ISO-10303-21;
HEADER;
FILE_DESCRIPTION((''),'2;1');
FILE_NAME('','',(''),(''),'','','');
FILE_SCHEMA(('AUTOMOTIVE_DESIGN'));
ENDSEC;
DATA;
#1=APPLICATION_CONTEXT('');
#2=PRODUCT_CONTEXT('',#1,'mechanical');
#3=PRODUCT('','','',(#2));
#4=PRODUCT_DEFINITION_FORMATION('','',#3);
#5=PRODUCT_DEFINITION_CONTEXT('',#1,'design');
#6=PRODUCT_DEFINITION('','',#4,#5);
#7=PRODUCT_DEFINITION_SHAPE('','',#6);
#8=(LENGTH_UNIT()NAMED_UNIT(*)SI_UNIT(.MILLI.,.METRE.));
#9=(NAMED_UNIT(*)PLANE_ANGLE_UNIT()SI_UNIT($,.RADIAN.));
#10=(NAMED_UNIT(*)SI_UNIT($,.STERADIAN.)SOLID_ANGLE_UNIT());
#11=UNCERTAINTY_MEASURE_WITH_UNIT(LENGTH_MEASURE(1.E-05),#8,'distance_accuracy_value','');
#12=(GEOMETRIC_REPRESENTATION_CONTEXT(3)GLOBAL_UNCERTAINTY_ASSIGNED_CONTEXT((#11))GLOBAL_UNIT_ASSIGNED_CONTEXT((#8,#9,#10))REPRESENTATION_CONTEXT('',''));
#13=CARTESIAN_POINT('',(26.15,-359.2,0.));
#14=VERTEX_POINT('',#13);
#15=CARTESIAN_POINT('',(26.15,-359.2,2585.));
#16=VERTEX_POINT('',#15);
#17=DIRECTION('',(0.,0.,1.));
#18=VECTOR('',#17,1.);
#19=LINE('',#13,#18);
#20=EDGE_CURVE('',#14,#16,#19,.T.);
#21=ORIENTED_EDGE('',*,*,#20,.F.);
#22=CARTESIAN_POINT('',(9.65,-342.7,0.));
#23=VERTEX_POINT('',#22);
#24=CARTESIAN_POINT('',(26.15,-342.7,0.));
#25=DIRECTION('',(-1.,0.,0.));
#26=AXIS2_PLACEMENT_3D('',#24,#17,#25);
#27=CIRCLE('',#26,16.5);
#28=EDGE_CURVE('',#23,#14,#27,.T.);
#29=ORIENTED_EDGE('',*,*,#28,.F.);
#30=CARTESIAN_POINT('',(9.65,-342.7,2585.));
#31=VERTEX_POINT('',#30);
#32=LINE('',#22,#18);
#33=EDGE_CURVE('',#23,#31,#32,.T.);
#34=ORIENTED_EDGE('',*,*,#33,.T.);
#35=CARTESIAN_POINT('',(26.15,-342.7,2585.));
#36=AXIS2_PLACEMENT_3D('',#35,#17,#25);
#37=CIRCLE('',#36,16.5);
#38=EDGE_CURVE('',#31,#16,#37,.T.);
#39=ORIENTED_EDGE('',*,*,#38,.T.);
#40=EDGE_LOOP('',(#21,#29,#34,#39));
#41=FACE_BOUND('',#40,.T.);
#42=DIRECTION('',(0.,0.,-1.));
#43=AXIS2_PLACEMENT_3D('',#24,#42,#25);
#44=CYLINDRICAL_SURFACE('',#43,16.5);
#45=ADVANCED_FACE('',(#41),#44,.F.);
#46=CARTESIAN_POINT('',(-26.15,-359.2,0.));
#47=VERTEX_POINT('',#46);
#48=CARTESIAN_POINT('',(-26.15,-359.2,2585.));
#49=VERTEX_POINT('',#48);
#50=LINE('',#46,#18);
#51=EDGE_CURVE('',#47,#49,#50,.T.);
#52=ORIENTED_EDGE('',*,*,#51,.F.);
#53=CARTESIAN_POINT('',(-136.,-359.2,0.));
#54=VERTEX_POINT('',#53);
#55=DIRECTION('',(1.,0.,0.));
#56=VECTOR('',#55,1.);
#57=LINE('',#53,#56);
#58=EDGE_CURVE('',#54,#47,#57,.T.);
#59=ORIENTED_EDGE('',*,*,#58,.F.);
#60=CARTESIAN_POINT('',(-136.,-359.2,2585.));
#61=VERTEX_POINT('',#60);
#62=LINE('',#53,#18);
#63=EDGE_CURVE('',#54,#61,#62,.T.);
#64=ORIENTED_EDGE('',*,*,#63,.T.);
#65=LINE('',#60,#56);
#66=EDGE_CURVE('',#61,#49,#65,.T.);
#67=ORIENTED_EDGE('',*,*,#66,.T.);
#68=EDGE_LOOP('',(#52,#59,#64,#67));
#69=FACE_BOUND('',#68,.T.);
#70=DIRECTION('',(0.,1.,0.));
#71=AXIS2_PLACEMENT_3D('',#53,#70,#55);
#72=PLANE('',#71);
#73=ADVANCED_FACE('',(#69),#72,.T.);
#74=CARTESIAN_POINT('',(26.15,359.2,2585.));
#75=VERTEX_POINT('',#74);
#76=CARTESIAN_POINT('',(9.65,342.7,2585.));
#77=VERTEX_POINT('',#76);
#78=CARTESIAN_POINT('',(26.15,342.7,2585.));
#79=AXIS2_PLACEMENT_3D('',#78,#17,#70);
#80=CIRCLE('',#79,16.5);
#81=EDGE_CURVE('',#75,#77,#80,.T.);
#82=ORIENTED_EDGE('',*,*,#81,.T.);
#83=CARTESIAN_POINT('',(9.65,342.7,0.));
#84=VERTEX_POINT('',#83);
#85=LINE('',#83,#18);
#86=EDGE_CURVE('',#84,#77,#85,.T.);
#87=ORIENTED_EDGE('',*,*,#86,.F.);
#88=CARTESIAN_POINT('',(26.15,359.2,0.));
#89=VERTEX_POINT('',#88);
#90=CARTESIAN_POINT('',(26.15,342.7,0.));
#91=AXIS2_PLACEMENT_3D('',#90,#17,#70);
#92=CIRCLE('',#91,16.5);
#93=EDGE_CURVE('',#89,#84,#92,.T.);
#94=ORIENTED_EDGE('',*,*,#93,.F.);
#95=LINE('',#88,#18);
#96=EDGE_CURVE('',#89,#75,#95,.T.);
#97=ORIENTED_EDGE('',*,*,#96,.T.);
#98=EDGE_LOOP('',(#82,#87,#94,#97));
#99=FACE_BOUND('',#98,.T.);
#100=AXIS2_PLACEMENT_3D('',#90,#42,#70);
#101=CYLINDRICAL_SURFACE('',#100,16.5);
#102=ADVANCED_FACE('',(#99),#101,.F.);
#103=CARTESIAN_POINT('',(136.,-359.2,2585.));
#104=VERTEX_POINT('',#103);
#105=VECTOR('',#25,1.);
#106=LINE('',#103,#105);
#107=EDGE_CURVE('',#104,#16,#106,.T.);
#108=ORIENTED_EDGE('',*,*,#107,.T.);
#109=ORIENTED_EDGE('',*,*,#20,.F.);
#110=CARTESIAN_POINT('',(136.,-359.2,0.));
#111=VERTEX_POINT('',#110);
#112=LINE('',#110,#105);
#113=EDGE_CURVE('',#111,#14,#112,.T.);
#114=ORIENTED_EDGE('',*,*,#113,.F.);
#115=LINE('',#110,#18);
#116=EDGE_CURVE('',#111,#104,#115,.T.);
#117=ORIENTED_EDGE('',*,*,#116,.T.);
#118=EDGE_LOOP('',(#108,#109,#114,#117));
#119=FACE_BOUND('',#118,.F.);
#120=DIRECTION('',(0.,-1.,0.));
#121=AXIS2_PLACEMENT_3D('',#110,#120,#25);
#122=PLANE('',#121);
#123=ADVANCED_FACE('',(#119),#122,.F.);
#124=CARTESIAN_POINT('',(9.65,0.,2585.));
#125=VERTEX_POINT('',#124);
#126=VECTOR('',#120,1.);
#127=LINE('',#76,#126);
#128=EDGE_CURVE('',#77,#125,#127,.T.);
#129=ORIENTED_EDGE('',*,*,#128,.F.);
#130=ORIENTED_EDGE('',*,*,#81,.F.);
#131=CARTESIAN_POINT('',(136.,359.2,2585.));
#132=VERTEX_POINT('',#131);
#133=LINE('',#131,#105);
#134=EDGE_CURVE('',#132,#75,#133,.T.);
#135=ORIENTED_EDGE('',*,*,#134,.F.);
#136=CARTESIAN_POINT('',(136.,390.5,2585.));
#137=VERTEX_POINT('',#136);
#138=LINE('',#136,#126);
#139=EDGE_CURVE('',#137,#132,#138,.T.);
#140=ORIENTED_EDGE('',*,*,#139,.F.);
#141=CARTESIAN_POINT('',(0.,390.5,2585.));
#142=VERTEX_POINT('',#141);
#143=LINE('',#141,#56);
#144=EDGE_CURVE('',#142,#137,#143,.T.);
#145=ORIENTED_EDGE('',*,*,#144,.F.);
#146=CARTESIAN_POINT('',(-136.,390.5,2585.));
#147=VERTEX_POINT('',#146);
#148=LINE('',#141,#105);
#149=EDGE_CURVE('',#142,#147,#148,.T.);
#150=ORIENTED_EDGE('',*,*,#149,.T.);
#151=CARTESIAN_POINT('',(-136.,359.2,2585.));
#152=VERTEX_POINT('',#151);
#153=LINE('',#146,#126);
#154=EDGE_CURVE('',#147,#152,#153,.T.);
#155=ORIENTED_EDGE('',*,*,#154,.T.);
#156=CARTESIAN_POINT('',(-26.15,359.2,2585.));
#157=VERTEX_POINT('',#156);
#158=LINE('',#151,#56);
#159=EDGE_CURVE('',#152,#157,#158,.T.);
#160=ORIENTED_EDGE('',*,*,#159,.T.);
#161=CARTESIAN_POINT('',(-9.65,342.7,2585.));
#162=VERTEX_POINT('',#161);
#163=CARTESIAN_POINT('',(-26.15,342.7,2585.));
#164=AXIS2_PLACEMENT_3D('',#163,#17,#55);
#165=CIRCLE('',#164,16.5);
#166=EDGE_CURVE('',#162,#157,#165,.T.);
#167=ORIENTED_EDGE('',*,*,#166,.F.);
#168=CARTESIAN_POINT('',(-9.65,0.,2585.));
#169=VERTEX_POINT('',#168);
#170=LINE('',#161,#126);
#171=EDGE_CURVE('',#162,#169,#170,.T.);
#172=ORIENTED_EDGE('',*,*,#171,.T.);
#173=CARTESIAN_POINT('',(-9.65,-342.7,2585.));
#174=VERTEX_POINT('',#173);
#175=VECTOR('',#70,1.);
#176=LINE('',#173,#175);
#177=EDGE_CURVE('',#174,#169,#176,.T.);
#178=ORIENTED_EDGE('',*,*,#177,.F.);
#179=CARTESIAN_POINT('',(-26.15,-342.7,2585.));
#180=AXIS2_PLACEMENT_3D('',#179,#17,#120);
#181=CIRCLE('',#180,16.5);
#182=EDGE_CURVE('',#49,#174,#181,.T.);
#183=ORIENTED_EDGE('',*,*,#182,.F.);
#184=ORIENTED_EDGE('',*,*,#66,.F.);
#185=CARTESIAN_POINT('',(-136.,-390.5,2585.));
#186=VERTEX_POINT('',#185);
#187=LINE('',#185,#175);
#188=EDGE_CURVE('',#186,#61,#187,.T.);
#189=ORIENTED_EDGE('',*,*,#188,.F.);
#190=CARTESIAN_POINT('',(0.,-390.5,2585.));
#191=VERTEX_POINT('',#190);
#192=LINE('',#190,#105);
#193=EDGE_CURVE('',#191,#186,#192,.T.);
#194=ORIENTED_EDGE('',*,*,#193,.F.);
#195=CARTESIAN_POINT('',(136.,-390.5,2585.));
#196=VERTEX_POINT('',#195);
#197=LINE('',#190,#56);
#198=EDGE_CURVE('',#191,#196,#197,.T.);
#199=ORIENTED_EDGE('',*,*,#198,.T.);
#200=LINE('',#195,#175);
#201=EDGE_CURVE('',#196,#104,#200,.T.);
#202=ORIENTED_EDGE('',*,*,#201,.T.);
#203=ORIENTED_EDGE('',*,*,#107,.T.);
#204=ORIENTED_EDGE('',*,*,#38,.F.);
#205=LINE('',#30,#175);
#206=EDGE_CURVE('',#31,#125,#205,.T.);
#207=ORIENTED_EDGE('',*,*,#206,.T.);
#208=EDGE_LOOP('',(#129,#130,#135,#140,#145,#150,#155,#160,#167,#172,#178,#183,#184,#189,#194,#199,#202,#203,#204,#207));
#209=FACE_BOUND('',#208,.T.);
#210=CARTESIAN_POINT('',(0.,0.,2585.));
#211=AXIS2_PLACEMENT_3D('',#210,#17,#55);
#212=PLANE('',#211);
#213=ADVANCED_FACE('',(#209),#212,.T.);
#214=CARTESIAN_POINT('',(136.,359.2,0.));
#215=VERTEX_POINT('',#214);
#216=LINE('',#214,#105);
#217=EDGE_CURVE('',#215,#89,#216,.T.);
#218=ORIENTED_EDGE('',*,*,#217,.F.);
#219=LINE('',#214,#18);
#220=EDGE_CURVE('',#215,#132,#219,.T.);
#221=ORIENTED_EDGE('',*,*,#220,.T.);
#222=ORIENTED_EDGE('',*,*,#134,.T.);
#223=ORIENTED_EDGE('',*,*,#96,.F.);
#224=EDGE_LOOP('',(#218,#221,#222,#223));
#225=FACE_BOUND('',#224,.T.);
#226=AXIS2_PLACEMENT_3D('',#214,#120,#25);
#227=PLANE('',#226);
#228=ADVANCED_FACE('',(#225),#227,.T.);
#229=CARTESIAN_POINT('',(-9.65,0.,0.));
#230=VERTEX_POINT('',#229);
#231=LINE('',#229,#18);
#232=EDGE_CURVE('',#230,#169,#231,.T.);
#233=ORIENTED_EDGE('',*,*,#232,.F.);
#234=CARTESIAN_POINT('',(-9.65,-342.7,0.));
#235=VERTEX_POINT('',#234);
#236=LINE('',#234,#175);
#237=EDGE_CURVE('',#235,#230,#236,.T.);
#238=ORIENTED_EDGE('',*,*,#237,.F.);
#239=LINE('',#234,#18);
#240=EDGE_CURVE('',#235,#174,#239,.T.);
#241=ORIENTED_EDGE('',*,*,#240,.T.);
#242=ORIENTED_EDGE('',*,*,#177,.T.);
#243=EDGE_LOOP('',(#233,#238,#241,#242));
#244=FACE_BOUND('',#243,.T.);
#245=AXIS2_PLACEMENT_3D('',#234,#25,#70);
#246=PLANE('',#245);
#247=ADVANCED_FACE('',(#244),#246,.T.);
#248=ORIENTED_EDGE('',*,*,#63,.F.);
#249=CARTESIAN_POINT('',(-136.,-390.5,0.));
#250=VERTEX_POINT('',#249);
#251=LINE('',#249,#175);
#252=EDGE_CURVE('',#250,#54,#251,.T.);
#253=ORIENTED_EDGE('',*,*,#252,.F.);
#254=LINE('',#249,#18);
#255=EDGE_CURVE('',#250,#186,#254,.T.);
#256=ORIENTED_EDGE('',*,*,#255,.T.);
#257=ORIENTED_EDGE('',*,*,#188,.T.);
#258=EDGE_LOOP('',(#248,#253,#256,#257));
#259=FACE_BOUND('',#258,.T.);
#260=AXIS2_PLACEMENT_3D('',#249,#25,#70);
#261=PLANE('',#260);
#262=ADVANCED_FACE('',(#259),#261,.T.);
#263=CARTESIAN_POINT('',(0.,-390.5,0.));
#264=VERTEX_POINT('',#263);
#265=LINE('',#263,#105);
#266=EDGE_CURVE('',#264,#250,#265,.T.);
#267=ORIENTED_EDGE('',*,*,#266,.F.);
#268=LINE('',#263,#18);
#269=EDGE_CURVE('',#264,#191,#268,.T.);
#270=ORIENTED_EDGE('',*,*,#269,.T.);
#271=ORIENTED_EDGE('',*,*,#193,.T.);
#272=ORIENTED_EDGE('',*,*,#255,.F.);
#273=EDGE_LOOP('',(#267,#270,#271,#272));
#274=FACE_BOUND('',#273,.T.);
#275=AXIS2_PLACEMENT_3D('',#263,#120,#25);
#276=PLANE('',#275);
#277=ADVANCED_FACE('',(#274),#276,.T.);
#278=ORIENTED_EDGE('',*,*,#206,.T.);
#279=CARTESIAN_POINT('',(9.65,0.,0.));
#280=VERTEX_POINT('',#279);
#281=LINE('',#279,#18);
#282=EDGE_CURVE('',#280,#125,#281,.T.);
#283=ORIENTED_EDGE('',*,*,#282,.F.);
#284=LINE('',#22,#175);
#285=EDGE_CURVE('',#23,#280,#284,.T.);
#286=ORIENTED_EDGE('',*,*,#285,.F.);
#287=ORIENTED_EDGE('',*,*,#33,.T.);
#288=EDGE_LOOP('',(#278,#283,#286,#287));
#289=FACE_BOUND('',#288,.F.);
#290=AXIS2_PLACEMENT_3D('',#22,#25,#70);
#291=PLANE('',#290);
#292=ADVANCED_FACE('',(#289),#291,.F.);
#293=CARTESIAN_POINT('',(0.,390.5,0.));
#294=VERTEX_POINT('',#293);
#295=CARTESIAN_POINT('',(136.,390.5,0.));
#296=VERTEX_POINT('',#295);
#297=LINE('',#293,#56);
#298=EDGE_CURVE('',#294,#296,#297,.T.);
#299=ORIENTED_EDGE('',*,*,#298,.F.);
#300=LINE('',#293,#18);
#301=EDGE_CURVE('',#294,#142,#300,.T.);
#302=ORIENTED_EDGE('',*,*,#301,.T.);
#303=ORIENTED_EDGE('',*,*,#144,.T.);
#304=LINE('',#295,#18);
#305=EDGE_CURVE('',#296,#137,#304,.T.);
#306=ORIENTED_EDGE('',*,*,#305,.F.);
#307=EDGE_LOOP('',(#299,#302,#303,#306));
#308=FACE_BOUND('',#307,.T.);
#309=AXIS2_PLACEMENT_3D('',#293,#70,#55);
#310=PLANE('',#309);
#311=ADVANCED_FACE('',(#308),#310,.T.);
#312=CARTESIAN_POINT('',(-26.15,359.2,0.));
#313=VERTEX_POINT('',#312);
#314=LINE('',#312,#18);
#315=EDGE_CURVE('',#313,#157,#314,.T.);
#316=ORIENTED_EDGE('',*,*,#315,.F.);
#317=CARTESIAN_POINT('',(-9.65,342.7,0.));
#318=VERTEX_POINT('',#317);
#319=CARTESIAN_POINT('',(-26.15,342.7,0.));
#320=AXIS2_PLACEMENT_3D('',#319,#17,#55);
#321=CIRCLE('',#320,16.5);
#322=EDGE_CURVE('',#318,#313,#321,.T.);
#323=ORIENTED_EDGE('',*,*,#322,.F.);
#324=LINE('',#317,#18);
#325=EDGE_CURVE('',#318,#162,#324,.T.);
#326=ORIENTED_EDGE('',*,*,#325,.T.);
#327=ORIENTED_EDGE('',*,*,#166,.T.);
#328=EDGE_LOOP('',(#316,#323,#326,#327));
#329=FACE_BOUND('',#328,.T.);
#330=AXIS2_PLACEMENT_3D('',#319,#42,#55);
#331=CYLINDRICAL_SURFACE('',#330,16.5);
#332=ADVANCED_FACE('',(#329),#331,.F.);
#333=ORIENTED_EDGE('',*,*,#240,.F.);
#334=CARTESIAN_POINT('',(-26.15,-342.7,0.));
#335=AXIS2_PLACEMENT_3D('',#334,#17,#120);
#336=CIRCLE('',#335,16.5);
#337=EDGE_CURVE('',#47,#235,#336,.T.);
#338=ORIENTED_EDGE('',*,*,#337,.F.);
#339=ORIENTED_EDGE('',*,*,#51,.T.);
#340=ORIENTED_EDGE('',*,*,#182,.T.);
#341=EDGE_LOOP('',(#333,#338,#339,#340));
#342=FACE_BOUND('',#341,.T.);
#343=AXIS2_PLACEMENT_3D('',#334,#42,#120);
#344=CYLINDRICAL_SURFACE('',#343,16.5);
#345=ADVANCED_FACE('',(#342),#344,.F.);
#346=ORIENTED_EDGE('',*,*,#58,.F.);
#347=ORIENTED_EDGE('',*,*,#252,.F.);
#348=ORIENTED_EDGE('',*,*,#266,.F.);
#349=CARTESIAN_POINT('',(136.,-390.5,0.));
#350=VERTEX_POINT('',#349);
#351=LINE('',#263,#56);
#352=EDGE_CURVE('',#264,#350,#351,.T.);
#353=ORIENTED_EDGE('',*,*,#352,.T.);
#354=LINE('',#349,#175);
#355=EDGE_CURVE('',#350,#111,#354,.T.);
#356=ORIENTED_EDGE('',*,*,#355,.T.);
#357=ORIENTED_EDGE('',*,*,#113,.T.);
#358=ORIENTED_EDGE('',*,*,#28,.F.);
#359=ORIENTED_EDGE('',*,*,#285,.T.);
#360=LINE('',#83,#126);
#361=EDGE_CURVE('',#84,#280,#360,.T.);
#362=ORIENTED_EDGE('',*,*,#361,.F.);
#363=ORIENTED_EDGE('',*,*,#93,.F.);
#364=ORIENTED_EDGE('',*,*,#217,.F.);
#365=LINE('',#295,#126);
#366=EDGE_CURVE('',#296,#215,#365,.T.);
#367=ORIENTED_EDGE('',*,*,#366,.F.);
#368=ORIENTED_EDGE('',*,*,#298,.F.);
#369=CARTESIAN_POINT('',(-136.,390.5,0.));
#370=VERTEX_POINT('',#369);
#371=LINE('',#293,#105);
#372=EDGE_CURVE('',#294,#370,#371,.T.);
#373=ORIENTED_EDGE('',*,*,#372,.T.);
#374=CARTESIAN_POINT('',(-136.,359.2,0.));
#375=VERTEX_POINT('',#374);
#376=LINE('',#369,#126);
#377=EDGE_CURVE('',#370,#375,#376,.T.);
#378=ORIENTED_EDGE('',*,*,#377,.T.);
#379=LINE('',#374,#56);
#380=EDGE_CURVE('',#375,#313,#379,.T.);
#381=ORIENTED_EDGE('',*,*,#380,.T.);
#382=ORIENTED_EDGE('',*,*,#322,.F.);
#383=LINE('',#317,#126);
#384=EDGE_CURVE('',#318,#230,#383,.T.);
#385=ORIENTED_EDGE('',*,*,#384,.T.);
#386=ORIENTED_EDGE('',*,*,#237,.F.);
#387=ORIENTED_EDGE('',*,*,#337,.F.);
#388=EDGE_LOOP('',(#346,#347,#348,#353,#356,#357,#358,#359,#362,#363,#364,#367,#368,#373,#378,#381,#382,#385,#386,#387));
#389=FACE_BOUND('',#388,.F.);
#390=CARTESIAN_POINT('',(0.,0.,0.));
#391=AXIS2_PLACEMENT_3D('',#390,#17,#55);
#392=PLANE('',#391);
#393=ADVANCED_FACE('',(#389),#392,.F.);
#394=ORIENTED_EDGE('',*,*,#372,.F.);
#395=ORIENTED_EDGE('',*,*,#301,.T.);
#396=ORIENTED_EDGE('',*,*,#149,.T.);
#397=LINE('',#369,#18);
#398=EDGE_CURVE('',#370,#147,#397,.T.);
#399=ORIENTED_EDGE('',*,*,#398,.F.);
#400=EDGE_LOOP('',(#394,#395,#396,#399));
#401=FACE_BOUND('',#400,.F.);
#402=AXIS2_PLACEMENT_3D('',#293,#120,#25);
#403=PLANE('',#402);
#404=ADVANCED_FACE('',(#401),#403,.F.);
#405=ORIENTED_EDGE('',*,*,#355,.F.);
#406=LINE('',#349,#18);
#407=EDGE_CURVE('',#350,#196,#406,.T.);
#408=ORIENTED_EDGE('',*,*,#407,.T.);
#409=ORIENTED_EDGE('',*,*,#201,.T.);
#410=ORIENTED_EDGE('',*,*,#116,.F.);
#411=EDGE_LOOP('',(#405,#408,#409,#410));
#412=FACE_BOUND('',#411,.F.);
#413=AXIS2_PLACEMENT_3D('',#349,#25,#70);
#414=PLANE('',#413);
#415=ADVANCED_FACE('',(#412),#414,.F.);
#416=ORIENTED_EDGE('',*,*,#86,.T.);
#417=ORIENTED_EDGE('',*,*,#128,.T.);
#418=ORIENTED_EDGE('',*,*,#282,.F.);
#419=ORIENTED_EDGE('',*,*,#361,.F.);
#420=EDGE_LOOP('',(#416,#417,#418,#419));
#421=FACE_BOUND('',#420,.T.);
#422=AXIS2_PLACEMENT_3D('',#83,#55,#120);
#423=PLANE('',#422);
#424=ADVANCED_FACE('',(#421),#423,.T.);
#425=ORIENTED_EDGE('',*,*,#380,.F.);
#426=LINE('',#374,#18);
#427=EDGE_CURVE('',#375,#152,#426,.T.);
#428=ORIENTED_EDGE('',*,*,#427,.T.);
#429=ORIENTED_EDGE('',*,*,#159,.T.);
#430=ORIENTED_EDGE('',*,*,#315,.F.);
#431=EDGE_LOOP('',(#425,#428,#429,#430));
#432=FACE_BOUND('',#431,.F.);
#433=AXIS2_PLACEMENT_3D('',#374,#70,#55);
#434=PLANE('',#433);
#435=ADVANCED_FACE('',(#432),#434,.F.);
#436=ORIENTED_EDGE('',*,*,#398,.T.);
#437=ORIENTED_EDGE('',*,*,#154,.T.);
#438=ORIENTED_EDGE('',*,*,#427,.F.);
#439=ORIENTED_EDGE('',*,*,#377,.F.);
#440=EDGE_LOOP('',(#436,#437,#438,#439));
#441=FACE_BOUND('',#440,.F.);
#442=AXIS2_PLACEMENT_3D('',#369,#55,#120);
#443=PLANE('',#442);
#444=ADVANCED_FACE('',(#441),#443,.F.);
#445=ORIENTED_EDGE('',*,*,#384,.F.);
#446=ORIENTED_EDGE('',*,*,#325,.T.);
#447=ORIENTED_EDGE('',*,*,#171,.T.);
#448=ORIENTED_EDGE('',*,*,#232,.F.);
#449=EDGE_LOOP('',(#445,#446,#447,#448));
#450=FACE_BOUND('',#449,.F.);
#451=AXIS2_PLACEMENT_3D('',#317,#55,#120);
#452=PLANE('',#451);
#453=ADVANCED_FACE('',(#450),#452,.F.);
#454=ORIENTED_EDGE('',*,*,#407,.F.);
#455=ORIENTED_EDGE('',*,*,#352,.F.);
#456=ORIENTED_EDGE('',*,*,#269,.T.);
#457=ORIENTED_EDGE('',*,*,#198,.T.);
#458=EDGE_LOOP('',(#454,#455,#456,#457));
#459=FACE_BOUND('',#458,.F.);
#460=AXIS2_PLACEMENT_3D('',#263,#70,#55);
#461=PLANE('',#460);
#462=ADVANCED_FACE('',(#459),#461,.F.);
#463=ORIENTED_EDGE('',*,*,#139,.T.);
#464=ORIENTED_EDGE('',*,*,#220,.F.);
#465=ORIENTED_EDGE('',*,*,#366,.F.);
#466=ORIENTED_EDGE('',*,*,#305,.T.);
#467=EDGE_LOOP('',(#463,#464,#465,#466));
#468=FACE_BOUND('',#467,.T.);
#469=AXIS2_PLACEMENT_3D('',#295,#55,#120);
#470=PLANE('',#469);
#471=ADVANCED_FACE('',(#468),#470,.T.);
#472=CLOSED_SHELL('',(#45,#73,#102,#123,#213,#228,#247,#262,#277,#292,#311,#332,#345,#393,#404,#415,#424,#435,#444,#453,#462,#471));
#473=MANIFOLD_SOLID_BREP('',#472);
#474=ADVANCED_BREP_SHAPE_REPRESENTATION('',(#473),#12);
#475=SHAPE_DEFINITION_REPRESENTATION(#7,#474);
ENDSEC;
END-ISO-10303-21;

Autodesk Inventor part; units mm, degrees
ref_plane "YZ Plane" through (0, 0, 0) normal (1, 0, 0) x (0, 1, 0)
ref_plane "Start plane" through (0, 0, 0) normal (0, 0, 1) x (1, 0, 0)
ref_plane "End plane" through (0, 0, 2585) normal (0, 0, 1) x (1, 0, 0)
sketch "Sketch" plane through (0, 0, 0) normal (0, 0, 1) x (1, 0, 0)
  line L0 (-136, -390.5) -> (-136, -359.2)
  line L1 (-136, -359.2) -> (-26.15, -359.2)
  line L2 (-9.65, -342.7) -> (-9.65, 0)
  line L3 (-9.65, 0) -> (0, 0) construction
  line L4 (0, 0) -> (0, -390.5) construction
  line L5 (0, -390.5) -> (-136, -390.5)
  line L6 (-60, 0) -> (80, 0) construction
  line L7 (0, -60) -> (0, 80) construction
  line L8 (136, -390.5) -> (136, -359.2)
  line L9 (136, -359.2) -> (26.15, -359.2)
  line L10 (9.65, -342.7) -> (9.65, 0)
  line L11 (9.65, 0) -> (0, 0) construction
  line L12 (0, -390.5) -> (136, -390.5)
  line L13 (-136, 390.5) -> (-136, 359.2)
  line L14 (-136, 359.2) -> (-26.15, 359.2)
  line L15 (-9.65, 342.7) -> (-9.65, 0)
  line L16 (0, 390.5) -> (-136, 390.5)
  line L17 (136, 390.5) -> (136, 359.2)
  line L18 (136, 359.2) -> (26.15, 359.2)
  line L19 (0, 390.5) -> (136, 390.5)
  line L20 (9.65, 342.7) -> (9.65, 0)
  arc A0 (-9.65, 342.7) -> (-26.15, 359.2) centre (-26.15, 342.7) ccw
  arc A1 (26.15, 359.2) -> (9.65, 342.7) centre (26.15, 342.7) ccw
  arc A2 (9.65, -342.7) -> (26.15, -359.2) centre (26.15, -342.7) ccw
  arc A3 (-26.15, -359.2) -> (-9.65, -342.7) centre (-26.15, -342.7) ccw
  line L21 (0, 108) -> (0, -88) construction
  line L22 (-88, 0) -> (108, 0) construction
  point P0 (-9.65, -359.2)
  point P1 (9.65, -359.2)
  point P2 (-9.65, 359.2)
  point P3 (9.65, 359.2)
  dimension "d1" = 390.5
  dimension "d2" = 31.3
  dimension "d3" = 136
  dimension "d4" = 9.65
  dimension "d10" = 16.5
extrude "Body" add sketch "Sketch" along normal up to surface (2585 mm away) from surface at 0
sketch "Sketch4" plane through (0, 0, 0) normal (0, 0, 1) x (1, 0, 0)
  line L0 (0, 0) -> (10, 0)
ref_plane "Work Plane3" through (0, 0, 0) normal (0, -1, 0) x (1, 0, 0)
sketch "Sketch5" plane through (0, 0, 0) normal (0, -1, 0) x (1, 0, 0)
  line L0 (-2, 0) -> (12, 0) projected
  line L1 (-2, 2585) -> (12, 2585) projected
  dimension "d14" = 2585
equation "\"d1\" = 0.5 * G_H"
equation "\"d2\" = G_T1"
equation "\"d3\" = 0.5 * G_W"
equation "\"d4\" = 0.5 * G_T"
equation "\"d10\" = G_IR"
equation "\"d5\" = G_L"
equation "\"G_W\" = 272"
equation "\"G_H\" = 781"
equation "\"G_T\" = 19.3"
equation "\"G_T1\" = 31.3"
equation "\"G_IR\" = 16.5"
equation "\"G_L\" = d14"
equation "\"G_OFFSET_START\" = 0"
equation "\"G_OFFSET_END\" = 0"
equation "\"d12\" = G_OFFSET_END + B_L"
equation "\"B_L\" = 2585"
properties part number "AS 3679-1990 - 760 UB - 244 - 2585" material "Steel, Mild"
